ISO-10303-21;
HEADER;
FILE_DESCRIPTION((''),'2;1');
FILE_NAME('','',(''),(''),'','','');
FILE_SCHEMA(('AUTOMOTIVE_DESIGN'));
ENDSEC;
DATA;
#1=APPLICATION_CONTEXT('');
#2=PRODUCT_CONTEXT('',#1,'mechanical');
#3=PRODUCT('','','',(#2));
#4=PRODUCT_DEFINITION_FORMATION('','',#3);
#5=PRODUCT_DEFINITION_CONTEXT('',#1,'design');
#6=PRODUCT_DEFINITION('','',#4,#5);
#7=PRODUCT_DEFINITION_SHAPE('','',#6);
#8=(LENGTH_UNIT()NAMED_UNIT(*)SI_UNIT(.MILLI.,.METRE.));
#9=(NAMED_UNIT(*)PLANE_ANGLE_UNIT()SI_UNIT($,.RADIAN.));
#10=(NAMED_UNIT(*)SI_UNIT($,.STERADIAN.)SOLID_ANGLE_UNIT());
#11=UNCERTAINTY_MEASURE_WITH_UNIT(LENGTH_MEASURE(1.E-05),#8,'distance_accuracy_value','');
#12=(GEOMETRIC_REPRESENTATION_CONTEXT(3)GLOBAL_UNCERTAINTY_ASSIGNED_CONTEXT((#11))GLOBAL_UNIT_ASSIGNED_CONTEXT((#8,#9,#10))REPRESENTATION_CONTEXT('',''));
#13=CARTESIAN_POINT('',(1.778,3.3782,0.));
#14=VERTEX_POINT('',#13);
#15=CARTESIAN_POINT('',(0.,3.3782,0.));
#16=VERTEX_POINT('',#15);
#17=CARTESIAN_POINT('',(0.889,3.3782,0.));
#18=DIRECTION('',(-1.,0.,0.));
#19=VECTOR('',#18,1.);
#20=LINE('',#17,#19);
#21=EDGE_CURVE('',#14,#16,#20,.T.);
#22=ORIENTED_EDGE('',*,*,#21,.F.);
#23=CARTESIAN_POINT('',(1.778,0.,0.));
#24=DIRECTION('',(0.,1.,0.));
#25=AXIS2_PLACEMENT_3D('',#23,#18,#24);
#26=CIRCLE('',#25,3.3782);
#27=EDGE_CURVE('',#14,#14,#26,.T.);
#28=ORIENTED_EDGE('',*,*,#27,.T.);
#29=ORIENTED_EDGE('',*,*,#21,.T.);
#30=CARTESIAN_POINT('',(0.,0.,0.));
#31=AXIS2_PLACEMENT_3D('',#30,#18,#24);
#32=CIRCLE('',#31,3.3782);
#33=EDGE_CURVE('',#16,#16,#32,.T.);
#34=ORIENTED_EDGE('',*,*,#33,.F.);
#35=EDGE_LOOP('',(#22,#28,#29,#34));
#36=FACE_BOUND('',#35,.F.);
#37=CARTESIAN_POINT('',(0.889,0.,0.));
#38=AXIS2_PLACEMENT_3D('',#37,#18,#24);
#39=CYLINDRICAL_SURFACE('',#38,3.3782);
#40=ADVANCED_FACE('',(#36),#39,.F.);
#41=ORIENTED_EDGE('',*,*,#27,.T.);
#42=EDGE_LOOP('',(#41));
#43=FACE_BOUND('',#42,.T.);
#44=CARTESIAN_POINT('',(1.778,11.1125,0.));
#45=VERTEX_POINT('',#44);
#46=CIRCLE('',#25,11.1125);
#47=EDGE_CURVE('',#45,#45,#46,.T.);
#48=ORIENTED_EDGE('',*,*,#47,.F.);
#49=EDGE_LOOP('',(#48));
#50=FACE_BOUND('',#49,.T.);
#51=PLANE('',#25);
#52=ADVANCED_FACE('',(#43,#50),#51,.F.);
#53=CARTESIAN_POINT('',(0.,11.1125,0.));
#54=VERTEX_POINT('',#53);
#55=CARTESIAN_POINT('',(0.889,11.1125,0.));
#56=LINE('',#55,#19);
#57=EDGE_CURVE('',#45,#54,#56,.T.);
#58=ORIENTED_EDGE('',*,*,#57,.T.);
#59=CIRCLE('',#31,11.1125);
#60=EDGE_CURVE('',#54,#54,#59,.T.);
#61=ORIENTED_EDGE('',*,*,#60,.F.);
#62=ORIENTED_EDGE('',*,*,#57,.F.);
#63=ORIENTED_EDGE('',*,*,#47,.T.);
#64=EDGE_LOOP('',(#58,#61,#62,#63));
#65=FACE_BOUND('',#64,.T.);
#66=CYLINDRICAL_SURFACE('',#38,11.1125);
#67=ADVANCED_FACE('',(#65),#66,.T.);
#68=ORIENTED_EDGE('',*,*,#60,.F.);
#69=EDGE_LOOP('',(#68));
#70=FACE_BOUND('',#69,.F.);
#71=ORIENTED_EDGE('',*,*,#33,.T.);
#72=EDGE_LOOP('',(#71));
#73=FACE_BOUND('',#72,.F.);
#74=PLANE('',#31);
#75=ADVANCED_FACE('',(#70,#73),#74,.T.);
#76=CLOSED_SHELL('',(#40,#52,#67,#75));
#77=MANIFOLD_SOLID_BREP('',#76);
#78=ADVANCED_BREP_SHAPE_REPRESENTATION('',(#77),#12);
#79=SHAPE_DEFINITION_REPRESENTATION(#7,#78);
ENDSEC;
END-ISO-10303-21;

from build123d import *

# Parameters (mm, degrees)
SKETCH1_W = 1.778
SKETCH1_H = 7.7343


with BuildPart() as part:
    # Sketch1 → Revolve1 (revolve)
    with BuildSketch(Plane(origin=(0, 0, 0), x_dir=(-1, 0, 0), z_dir=(0, 0, -1))):
        with Locations((-0.889, 7.24535)):
            Rectangle(SKETCH1_W, SKETCH1_H)
    revolve(axis=Axis((1.778, 0, 0), (-1, 0, 0)))


solid = part.part
